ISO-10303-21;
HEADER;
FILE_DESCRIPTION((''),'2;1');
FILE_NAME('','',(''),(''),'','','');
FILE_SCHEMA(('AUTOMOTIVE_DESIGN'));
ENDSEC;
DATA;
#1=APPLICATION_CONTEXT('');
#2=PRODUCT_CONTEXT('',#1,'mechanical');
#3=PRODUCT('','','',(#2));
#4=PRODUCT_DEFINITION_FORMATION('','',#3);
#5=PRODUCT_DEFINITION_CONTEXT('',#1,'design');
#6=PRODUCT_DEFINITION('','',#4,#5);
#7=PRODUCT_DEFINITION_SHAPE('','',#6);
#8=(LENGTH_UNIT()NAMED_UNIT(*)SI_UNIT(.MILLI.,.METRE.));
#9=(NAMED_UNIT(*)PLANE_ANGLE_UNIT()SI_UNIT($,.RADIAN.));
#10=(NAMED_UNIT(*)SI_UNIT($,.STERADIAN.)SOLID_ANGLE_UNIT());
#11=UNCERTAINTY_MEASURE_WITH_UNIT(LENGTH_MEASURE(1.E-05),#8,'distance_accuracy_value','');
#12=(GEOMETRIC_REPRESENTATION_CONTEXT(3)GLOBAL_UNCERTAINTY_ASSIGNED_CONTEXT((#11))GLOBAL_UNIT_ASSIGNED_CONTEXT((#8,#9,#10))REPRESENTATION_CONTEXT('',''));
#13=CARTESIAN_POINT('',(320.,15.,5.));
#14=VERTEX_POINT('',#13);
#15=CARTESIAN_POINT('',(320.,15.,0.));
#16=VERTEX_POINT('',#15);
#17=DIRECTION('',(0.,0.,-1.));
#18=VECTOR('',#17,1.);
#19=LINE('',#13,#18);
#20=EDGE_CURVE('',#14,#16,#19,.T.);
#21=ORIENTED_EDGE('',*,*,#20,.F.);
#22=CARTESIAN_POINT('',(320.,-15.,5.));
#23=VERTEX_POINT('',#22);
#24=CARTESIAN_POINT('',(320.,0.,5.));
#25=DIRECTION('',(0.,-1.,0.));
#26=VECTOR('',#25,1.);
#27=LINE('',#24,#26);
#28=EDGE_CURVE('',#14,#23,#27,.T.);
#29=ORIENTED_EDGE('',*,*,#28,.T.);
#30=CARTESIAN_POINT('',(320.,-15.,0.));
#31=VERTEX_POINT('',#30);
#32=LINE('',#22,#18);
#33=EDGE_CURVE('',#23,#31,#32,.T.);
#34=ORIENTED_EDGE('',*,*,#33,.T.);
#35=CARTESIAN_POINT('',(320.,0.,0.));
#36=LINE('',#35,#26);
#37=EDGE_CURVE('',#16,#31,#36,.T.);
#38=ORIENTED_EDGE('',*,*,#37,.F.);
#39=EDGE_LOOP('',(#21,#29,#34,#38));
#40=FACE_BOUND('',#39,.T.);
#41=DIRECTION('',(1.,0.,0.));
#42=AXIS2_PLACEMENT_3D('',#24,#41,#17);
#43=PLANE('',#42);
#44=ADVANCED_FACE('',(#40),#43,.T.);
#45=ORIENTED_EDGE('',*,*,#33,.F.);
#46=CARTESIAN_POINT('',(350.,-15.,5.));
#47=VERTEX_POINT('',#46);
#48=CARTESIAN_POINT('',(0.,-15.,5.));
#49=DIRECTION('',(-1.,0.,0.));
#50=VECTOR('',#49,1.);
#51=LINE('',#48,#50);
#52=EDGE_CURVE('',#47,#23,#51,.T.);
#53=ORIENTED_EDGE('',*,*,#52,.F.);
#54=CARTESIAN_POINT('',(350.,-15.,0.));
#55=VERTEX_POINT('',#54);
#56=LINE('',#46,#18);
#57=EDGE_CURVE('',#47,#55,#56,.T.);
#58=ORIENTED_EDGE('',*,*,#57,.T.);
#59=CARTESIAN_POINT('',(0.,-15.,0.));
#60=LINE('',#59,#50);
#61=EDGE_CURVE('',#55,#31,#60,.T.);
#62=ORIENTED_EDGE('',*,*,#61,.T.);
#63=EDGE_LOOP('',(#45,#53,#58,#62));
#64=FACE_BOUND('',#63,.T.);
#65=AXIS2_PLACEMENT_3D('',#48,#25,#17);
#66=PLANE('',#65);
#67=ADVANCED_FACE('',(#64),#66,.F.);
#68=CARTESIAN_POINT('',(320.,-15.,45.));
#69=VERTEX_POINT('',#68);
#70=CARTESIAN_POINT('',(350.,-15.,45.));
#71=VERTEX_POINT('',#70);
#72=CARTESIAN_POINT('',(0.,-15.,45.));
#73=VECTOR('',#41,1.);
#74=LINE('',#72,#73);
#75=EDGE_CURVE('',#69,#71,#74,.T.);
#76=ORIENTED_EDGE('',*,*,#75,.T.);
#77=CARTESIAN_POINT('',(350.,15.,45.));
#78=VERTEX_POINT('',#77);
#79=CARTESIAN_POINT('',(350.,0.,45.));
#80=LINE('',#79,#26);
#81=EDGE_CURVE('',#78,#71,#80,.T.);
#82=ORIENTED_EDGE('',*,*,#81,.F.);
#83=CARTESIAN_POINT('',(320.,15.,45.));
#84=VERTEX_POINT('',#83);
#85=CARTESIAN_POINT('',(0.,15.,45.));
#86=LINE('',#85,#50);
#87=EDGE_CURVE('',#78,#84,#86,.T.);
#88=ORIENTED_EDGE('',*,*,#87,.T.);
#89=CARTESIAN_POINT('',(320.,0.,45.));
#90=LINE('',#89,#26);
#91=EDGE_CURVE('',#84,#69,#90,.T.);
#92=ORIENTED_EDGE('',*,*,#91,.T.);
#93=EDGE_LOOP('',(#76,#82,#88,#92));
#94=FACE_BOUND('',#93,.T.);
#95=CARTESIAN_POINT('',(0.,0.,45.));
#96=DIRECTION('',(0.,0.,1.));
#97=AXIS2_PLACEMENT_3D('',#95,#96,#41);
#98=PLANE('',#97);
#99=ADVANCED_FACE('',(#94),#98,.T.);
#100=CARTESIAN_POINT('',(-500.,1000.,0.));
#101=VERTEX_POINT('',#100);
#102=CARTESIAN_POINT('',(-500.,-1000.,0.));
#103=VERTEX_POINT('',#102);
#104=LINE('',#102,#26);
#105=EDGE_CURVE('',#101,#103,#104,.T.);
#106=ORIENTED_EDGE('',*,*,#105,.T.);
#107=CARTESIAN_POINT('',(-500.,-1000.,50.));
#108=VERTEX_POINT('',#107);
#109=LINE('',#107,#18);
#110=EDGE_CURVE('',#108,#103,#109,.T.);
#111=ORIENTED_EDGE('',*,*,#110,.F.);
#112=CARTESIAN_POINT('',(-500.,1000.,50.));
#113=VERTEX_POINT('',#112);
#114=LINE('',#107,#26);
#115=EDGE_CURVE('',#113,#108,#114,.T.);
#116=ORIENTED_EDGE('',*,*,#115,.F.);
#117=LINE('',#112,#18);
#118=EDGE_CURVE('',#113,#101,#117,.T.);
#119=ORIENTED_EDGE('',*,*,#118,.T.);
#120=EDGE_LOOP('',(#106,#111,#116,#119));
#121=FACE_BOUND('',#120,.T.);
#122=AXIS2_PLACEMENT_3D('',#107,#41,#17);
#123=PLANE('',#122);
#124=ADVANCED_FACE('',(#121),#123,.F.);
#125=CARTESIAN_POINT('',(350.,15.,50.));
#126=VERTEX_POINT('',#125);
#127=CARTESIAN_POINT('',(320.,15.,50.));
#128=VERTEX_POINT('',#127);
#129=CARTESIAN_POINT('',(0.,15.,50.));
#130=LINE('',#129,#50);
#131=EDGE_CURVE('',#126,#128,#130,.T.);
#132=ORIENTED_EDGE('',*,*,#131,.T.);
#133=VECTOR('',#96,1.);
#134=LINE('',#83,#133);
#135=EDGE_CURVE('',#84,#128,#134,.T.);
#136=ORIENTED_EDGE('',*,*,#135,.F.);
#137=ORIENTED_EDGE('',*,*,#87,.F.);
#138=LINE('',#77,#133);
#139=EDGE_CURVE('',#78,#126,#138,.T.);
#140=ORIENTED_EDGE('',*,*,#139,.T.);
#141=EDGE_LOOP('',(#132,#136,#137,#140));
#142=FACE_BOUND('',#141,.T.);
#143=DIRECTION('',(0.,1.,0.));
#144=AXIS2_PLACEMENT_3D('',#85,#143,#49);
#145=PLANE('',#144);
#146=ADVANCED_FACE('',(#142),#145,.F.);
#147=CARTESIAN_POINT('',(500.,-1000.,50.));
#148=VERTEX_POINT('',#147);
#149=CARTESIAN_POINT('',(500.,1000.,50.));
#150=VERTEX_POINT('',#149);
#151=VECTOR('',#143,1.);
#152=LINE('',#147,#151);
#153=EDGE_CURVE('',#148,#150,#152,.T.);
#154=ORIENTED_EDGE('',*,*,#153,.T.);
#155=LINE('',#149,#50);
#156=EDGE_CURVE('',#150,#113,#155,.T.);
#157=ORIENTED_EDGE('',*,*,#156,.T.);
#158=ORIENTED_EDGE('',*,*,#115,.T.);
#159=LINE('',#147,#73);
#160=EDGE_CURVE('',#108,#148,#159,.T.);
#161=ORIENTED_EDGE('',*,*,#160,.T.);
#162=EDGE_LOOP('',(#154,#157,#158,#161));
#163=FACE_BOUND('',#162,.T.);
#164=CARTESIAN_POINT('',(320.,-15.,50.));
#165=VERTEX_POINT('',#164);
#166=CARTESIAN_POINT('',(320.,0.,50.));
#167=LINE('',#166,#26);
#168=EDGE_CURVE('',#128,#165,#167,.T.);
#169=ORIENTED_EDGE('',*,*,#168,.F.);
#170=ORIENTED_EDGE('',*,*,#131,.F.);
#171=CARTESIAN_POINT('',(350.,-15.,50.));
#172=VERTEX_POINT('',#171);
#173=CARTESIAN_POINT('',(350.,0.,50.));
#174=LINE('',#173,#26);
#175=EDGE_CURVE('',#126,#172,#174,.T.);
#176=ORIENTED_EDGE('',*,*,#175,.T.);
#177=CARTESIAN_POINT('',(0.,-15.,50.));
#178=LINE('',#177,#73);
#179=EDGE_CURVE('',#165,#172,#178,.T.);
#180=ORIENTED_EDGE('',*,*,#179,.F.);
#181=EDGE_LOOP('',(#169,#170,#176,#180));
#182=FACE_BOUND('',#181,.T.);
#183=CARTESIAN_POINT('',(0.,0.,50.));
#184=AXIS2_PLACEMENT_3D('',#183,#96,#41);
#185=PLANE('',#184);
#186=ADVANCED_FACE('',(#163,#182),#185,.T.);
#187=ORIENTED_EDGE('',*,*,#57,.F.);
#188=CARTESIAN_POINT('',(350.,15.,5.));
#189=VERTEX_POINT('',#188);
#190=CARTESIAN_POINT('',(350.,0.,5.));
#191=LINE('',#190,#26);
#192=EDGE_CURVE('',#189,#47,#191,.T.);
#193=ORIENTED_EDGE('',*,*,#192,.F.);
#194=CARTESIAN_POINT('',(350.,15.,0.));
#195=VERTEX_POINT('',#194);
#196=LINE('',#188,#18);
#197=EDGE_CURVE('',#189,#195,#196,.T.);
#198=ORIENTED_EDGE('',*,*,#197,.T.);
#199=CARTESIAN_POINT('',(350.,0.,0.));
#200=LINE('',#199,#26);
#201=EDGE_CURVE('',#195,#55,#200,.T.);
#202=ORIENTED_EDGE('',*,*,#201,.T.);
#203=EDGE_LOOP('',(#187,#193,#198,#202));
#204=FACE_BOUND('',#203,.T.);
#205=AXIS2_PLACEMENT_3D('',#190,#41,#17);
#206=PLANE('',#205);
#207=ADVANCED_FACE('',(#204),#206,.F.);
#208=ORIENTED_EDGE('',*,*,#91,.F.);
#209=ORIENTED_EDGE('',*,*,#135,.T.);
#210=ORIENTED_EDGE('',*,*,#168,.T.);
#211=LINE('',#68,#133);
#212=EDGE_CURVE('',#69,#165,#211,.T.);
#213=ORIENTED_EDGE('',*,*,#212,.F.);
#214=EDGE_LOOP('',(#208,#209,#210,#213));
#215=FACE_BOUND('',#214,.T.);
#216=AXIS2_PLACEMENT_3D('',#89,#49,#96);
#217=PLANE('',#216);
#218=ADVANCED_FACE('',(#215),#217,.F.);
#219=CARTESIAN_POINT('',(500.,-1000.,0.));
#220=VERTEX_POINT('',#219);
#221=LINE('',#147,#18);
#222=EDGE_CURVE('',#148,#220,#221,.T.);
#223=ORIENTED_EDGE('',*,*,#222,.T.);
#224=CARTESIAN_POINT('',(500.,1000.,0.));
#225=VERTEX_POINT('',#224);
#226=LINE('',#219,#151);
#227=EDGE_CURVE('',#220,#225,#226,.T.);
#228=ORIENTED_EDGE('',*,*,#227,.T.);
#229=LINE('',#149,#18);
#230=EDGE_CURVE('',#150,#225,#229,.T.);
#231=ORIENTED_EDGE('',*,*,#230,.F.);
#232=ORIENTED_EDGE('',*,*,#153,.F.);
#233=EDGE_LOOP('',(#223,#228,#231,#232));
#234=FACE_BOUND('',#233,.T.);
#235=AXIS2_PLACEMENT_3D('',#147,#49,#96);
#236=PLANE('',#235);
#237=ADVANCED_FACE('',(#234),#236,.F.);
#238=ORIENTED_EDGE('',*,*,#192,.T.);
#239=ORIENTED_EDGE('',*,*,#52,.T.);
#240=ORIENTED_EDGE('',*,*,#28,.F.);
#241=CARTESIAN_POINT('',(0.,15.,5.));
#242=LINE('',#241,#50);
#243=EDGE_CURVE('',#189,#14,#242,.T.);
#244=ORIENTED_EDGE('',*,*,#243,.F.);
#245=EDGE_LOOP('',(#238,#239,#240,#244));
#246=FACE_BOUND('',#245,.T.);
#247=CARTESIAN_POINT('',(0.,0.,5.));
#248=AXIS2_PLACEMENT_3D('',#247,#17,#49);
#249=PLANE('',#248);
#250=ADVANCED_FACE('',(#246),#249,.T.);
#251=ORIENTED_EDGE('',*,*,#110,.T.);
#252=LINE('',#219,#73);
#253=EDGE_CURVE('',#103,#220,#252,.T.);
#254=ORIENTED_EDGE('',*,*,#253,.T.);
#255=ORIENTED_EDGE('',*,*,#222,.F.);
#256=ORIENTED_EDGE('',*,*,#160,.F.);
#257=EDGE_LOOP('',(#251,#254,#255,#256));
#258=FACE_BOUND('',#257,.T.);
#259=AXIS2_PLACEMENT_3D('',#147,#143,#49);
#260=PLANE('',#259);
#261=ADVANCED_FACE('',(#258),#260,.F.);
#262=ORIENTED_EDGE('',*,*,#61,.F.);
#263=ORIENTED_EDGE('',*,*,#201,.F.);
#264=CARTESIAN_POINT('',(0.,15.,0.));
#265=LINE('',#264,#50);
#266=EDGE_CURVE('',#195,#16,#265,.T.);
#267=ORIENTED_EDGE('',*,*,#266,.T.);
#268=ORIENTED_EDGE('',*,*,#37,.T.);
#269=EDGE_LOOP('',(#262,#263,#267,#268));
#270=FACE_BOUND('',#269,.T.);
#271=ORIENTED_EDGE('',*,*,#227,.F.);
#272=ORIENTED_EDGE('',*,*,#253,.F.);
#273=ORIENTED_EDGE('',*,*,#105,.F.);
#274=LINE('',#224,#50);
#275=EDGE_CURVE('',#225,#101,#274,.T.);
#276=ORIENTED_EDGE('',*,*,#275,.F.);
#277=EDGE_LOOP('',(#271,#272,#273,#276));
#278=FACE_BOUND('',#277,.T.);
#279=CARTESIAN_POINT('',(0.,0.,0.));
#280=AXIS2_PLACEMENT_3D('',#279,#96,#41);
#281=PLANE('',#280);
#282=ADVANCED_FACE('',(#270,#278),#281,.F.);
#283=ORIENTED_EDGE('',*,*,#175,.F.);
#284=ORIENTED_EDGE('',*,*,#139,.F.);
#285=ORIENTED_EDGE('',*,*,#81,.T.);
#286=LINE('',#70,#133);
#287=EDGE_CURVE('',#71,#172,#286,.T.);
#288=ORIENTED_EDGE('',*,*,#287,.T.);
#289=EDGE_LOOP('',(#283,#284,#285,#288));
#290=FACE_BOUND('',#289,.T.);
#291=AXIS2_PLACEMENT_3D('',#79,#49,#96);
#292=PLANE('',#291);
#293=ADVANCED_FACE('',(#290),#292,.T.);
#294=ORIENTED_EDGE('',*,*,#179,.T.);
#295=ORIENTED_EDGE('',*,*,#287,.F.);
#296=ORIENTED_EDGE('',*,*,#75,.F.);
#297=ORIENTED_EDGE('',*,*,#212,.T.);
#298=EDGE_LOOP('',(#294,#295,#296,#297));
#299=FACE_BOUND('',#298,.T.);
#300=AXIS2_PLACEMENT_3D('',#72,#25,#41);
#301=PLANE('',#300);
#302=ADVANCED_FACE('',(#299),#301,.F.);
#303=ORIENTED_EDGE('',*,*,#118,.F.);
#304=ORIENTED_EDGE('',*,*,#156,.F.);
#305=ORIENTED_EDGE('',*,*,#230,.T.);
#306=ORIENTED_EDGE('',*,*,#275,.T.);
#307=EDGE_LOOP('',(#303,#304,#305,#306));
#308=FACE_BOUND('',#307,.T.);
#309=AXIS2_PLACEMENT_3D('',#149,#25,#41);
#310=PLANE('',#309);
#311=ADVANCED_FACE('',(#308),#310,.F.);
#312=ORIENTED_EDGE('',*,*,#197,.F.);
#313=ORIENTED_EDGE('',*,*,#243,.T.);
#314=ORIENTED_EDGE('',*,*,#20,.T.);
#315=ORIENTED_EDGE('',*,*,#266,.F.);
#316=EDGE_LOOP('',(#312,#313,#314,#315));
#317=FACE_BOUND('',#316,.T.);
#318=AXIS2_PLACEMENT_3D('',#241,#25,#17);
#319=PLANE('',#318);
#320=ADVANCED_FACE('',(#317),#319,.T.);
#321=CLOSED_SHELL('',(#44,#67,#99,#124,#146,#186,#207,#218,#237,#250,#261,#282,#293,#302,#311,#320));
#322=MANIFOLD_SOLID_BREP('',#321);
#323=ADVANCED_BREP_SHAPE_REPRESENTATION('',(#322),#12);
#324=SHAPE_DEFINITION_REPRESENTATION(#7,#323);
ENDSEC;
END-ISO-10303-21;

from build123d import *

# Parameters (mm, degrees)
SKETCH1_W           = 1000
SKETCH1_H           = 2000
BOSS_EXTRUDE1_DEPTH = 50
SKETCH2_W           = 30
SKETCH2_H           = 30
CUT_EXTRUDE1_DEPTH  = 5
SKETCH3_W           = 30
SKETCH3_H           = 30
CUT_EXTRUDE2_DEPTH  = 5


with BuildPart() as part:
    # Sketch1 → Boss-Extrude1 (new body)
    with BuildSketch(Plane.XY):
        Rectangle(SKETCH1_W, SKETCH1_H)
    extrude(amount=BOSS_EXTRUDE1_DEPTH)

    # Sketch2 → Cut-Extrude1 (cut)
    with BuildSketch(Plane.XY.offset(50)):
        with Locations((335, 0)):
            Rectangle(SKETCH2_W, SKETCH2_H)
    extrude(amount=-CUT_EXTRUDE1_DEPTH, mode=Mode.SUBTRACT)

    # Sketch3 → Cut-Extrude2 (cut)
    with BuildSketch(Plane(origin=(0, 0, 0), x_dir=(-1, 0, 0), z_dir=(0, 0, -1))):
        with Locations((-335, 0)):
            Rectangle(SKETCH3_W, SKETCH3_H)
    extrude(amount=-CUT_EXTRUDE2_DEPTH, mode=Mode.SUBTRACT)


solid = part.part
